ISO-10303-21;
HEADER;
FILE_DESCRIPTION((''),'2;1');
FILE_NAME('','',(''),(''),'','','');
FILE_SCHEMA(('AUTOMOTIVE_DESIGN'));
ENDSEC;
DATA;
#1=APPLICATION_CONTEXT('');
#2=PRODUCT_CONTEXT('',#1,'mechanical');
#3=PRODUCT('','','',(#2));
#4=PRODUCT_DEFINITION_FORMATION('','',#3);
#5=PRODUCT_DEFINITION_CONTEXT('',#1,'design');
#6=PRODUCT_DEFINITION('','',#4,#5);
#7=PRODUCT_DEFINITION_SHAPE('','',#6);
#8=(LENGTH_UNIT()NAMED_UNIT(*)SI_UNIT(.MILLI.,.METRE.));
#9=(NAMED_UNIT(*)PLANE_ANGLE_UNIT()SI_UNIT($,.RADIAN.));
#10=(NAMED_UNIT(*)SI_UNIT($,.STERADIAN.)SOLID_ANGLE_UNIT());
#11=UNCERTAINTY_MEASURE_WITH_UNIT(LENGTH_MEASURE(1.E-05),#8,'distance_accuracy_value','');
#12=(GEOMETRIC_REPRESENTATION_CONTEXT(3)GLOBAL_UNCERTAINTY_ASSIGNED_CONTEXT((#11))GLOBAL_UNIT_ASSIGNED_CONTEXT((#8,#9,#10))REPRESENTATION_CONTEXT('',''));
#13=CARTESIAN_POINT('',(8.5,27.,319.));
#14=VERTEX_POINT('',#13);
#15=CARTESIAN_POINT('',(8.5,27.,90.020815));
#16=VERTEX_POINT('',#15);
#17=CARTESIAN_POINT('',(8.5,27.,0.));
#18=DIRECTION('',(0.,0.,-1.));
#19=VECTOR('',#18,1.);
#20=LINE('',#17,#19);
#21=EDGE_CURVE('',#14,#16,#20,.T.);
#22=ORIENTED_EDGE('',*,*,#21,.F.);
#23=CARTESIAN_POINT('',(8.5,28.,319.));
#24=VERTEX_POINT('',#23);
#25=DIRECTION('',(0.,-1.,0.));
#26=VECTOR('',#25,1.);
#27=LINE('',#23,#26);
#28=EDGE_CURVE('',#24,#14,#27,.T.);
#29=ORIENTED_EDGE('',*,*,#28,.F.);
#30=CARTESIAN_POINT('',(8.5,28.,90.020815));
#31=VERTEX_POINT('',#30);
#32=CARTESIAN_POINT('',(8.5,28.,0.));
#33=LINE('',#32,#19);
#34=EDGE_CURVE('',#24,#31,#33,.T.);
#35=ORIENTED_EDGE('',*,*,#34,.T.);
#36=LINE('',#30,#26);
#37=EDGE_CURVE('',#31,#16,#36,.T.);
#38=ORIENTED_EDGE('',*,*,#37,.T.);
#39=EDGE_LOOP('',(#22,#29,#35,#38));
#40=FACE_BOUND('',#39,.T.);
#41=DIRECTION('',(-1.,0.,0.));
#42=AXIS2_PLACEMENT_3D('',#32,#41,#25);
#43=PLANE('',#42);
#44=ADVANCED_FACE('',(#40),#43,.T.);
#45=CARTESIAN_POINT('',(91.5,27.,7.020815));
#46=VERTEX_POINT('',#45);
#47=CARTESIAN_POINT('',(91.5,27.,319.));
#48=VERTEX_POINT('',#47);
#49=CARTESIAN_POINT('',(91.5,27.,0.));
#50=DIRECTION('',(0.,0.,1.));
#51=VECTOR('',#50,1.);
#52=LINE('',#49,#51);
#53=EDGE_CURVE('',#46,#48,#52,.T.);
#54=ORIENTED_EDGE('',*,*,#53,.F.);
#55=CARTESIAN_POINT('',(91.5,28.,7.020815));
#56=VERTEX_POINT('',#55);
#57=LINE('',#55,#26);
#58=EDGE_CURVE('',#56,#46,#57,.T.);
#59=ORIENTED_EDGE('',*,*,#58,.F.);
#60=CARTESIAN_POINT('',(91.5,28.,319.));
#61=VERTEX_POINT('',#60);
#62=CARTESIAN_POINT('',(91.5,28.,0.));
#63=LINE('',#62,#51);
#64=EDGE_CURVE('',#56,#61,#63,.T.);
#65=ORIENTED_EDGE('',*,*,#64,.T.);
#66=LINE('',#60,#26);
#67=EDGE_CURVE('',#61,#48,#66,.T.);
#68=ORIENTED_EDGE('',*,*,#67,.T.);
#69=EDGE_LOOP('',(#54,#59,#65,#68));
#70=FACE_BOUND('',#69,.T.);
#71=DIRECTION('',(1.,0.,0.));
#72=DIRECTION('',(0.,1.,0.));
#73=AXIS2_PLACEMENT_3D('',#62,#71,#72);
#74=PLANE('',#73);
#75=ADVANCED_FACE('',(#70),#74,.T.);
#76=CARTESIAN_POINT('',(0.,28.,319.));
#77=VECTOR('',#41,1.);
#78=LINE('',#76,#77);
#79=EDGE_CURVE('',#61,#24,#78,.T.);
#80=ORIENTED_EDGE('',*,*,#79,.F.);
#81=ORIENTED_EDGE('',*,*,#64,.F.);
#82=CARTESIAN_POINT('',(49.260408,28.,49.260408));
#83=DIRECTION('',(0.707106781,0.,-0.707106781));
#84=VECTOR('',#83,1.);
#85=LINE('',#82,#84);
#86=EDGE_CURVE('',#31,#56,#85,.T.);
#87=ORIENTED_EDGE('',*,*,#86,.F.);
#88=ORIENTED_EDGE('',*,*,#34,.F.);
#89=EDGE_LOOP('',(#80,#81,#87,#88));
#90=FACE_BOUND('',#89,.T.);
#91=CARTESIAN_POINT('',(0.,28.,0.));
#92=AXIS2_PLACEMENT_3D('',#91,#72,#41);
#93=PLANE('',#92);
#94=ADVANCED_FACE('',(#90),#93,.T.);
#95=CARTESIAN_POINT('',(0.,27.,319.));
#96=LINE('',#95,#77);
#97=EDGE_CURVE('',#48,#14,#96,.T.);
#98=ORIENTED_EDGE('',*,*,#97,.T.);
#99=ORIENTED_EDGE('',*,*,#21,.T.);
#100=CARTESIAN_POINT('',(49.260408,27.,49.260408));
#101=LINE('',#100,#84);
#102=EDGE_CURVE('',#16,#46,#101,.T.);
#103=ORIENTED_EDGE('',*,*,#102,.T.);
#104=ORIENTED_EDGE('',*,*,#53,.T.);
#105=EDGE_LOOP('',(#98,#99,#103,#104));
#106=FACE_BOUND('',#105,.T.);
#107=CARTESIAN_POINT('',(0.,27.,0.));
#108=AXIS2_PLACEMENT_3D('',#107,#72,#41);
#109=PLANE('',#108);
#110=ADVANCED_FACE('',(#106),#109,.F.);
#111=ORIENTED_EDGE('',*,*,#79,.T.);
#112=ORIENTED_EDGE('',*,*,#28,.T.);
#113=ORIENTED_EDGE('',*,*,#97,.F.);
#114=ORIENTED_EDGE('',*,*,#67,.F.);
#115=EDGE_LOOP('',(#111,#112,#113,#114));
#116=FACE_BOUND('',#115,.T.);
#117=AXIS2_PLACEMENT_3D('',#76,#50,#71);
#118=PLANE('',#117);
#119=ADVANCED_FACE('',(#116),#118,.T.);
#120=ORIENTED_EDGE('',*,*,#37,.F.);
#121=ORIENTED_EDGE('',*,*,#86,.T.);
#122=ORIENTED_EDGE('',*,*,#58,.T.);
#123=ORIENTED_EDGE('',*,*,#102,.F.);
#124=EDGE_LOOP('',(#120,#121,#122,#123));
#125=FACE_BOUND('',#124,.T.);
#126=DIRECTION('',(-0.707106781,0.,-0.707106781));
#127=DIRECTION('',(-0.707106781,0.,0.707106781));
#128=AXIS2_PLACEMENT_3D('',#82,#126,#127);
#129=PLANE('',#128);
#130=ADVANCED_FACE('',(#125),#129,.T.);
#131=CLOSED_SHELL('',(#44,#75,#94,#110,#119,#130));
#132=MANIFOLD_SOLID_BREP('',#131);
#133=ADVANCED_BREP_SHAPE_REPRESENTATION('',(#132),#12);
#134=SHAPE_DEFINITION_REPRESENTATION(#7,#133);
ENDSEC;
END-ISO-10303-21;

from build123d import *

# Parameters (mm, degrees)
BOSS_EXTRUDE1_DEPTH   = 327.5
BOSS_EXTRUDE1_2_DEPTH = 327.5
BOSS_EXTRUDE2_DEPTH   = 2
BOSS_EXTRUDE4_DEPTH   = 1
SKETCH4_W             = 100
SKETCH4_H             = 8.5
BOSS_EXTRUDE5_DEPTH   = 2
BOSS_EXTRUDE6_DEPTH   = 1
SKETCH7_R             = 5
SKETCH7_W             = 96
SKETCH7_H             = 1
CUT_EXTRUDE2_DEPTH    = 1
SKETCH8_W             = 100
SKETCH8_H             = 13.5
CUT_EXTRUDE3_DEPTH    = 400
SKETCH9_W             = 1
SKETCH9_H             = 5
CUT_EXTRUDE4_DEPTH    = 84.5
SKETCH10_W            = 83
SKETCH10_H            = 228.97918472
BOSS_EXTRUDE7_DEPTH   = 1
SKETCH12_W            = 120.619846079
SKETCH12_H            = 19.843524077
CUT_EXTRUDE6_DEPTH    = 400


with BuildPart() as part:
    # Sketch1 → Boss-Extrude1 (new body)
    with BuildSketch(Plane.XY):
        Polygon((0, 0), (0, 8.5), (1, 8.5), (1, 13.5), (2, 13.5), (2, 2), (13.5, 2), (13.5, 1), (8.5, 1), (8.5, 0), align=None)
    extrude(amount=BOSS_EXTRUDE1_DEPTH)



with BuildPart() as body_2:
    # Sketch1 → Boss-Extrude1 2 (new body)
    with BuildSketch(Plane.XY):
        Polygon((100, 0), (91.5, 0), (91.5, 1), (86.5, 1), (86.5, 2), (98, 2), (98, 13.5), (99, 13.5), (99, 8.5), (100, 8.5), align=None)
    extrude(amount=BOSS_EXTRUDE1_2_DEPTH)


with BuildPart() as part_1:
    add(part.part)

    add(body_2.part)  # Boss-Extrude2 merges body 2
    # Sketch2 → Boss-Extrude2 (add)
    with BuildSketch(Plane(origin=(0, 2, 0), x_dir=(1, 0, 0), z_dir=(0, 1, 0))):
        Polygon((86.5, 0), (13.5, -73), (13.5, -85.02081528), (86.5, -12.02081528), align=None)
    extrude(amount=-BOSS_EXTRUDE2_DEPTH)

    # Sketch3 → Boss-Extrude4 (add)
    with BuildSketch(Plane.XZ.offset(-1)):
        Polygon((13.5, 73), (13.5, 85.02081528), (8.5, 90.02081528), (8.5, 78), align=None)
        Polygon((86.5, 0), (86.5, 12.02081528), (91.5, 7.02081528), (91.5, 0), align=None)
    extrude(amount=BOSS_EXTRUDE4_DEPTH)

    # Sketch4 → Boss-Extrude5 (add)
    with BuildSketch(Plane.XZ):
        with Locations((50, 323.25)):
            Rectangle(SKETCH4_W, SKETCH4_H)
    extrude(amount=-BOSS_EXTRUDE5_DEPTH)

    # Sketch7 → Cut-Extrude2 (cut)
    with BuildSketch(Plane(origin=(0, 2, 0), x_dir=(1, 0, 0), z_dir=(0, 1, 0))):
        with Locations((26.5, -326.5)):
            Circle(SKETCH7_R)
        with Locations((73.5, -326.5)):
            Circle(SKETCH7_R)
        with Locations((50, -327)):
            Rectangle(SKETCH7_W, SKETCH7_H)
    extrude(amount=-CUT_EXTRUDE2_DEPTH, mode=Mode.SUBTRACT)


with BuildPart() as body_2_2:
    # Sketch5 → Boss-Extrude6 (new body)
    with BuildSketch(Plane(origin=(0, 2, 0), x_dir=(1, 0, 0), z_dir=(0, 1, 0))):
        Polygon((13.5, -65.928932188), (79.428932188, 0), (86.5, 0), (13.5, -73), align=None)
    extrude(amount=-BOSS_EXTRUDE6_DEPTH)


with BuildPart() as body_3:
    # Mirror1: mirrored copy
    add(body_2_2.part.mirror(Plane(origin=(1, 13.5, 327.5), x_dir=(0, 0, 1), z_dir=(0, -1, 0))))


with BuildPart() as body_4:
    # Mirror1 2: mirrored copy
    add(part_1.part.mirror(Plane(origin=(1, 13.5, 327.5), x_dir=(0, 0, 1), z_dir=(0, -1, 0))))

    # Sketch9 → Cut-Extrude4 (cut)
    with BuildSketch(Plane(origin=(0, 0, 0), x_dir=(-1, 0, 0), z_dir=(0, 0, -1))):
        with Locations((-1.5, 16)):
            Rectangle(SKETCH9_W, SKETCH9_H)
    extrude(amount=-CUT_EXTRUDE4_DEPTH, mode=Mode.SUBTRACT)


with BuildPart() as cut_extrude3_tool:
    # Sketch8 → Cut-Extrude3 (new body)
    with BuildSketch(Plane(origin=(0, 0, 0), x_dir=(-1, 0, 0), z_dir=(0, 0, -1))):
        with Locations((-50, 6.75)):
            Rectangle(SKETCH8_W, SKETCH8_H)
    extrude(amount=-CUT_EXTRUDE3_DEPTH)


with BuildPart() as part_2:
    add(part_1.part)

    # Cut-Extrude3: cut by cut_extrude3_tool
    add(cut_extrude3_tool.part, mode=Mode.SUBTRACT)


with BuildPart() as body_2_2_1:
    add(body_2_2.part)

    # Cut-Extrude3: cut by cut_extrude3_tool
    add(cut_extrude3_tool.part, mode=Mode.SUBTRACT)


with BuildPart() as body_3_2:
    # Sketch10 → Boss-Extrude7 (new body)
    with BuildSketch(Plane(origin=(0, 27, 0), x_dir=(1, 0, 0), z_dir=(0, 1, 0))):
        Polygon((91.5, -7.02081528), (8.5, -90.02081528), (91.5, -90.02081528), align=None)
        with Locations((50, -204.51040764)):
            Rectangle(SKETCH10_W, SKETCH10_H)
    extrude(amount=BOSS_EXTRUDE7_DEPTH)


with BuildPart() as cut_extrude6_tool:
    # Sketch12 → Cut-Extrude6 (new body)
    with BuildSketch(Plane.XY.offset(327.5)):
        with Locations((60.30992304, 17.078237962)):
            Rectangle(SKETCH12_W, SKETCH12_H)
    extrude(amount=-CUT_EXTRUDE6_DEPTH)


with BuildPart() as body_3_1:
    add(body_3.part)

    # Cut-Extrude6: cut by cut_extrude6_tool
    add(cut_extrude6_tool.part, mode=Mode.SUBTRACT)


with BuildPart() as body_4_1:
    add(body_4.part)

    # Cut-Extrude6: cut by cut_extrude6_tool
    add(cut_extrude6_tool.part, mode=Mode.SUBTRACT)


solid = body_3_2.part
